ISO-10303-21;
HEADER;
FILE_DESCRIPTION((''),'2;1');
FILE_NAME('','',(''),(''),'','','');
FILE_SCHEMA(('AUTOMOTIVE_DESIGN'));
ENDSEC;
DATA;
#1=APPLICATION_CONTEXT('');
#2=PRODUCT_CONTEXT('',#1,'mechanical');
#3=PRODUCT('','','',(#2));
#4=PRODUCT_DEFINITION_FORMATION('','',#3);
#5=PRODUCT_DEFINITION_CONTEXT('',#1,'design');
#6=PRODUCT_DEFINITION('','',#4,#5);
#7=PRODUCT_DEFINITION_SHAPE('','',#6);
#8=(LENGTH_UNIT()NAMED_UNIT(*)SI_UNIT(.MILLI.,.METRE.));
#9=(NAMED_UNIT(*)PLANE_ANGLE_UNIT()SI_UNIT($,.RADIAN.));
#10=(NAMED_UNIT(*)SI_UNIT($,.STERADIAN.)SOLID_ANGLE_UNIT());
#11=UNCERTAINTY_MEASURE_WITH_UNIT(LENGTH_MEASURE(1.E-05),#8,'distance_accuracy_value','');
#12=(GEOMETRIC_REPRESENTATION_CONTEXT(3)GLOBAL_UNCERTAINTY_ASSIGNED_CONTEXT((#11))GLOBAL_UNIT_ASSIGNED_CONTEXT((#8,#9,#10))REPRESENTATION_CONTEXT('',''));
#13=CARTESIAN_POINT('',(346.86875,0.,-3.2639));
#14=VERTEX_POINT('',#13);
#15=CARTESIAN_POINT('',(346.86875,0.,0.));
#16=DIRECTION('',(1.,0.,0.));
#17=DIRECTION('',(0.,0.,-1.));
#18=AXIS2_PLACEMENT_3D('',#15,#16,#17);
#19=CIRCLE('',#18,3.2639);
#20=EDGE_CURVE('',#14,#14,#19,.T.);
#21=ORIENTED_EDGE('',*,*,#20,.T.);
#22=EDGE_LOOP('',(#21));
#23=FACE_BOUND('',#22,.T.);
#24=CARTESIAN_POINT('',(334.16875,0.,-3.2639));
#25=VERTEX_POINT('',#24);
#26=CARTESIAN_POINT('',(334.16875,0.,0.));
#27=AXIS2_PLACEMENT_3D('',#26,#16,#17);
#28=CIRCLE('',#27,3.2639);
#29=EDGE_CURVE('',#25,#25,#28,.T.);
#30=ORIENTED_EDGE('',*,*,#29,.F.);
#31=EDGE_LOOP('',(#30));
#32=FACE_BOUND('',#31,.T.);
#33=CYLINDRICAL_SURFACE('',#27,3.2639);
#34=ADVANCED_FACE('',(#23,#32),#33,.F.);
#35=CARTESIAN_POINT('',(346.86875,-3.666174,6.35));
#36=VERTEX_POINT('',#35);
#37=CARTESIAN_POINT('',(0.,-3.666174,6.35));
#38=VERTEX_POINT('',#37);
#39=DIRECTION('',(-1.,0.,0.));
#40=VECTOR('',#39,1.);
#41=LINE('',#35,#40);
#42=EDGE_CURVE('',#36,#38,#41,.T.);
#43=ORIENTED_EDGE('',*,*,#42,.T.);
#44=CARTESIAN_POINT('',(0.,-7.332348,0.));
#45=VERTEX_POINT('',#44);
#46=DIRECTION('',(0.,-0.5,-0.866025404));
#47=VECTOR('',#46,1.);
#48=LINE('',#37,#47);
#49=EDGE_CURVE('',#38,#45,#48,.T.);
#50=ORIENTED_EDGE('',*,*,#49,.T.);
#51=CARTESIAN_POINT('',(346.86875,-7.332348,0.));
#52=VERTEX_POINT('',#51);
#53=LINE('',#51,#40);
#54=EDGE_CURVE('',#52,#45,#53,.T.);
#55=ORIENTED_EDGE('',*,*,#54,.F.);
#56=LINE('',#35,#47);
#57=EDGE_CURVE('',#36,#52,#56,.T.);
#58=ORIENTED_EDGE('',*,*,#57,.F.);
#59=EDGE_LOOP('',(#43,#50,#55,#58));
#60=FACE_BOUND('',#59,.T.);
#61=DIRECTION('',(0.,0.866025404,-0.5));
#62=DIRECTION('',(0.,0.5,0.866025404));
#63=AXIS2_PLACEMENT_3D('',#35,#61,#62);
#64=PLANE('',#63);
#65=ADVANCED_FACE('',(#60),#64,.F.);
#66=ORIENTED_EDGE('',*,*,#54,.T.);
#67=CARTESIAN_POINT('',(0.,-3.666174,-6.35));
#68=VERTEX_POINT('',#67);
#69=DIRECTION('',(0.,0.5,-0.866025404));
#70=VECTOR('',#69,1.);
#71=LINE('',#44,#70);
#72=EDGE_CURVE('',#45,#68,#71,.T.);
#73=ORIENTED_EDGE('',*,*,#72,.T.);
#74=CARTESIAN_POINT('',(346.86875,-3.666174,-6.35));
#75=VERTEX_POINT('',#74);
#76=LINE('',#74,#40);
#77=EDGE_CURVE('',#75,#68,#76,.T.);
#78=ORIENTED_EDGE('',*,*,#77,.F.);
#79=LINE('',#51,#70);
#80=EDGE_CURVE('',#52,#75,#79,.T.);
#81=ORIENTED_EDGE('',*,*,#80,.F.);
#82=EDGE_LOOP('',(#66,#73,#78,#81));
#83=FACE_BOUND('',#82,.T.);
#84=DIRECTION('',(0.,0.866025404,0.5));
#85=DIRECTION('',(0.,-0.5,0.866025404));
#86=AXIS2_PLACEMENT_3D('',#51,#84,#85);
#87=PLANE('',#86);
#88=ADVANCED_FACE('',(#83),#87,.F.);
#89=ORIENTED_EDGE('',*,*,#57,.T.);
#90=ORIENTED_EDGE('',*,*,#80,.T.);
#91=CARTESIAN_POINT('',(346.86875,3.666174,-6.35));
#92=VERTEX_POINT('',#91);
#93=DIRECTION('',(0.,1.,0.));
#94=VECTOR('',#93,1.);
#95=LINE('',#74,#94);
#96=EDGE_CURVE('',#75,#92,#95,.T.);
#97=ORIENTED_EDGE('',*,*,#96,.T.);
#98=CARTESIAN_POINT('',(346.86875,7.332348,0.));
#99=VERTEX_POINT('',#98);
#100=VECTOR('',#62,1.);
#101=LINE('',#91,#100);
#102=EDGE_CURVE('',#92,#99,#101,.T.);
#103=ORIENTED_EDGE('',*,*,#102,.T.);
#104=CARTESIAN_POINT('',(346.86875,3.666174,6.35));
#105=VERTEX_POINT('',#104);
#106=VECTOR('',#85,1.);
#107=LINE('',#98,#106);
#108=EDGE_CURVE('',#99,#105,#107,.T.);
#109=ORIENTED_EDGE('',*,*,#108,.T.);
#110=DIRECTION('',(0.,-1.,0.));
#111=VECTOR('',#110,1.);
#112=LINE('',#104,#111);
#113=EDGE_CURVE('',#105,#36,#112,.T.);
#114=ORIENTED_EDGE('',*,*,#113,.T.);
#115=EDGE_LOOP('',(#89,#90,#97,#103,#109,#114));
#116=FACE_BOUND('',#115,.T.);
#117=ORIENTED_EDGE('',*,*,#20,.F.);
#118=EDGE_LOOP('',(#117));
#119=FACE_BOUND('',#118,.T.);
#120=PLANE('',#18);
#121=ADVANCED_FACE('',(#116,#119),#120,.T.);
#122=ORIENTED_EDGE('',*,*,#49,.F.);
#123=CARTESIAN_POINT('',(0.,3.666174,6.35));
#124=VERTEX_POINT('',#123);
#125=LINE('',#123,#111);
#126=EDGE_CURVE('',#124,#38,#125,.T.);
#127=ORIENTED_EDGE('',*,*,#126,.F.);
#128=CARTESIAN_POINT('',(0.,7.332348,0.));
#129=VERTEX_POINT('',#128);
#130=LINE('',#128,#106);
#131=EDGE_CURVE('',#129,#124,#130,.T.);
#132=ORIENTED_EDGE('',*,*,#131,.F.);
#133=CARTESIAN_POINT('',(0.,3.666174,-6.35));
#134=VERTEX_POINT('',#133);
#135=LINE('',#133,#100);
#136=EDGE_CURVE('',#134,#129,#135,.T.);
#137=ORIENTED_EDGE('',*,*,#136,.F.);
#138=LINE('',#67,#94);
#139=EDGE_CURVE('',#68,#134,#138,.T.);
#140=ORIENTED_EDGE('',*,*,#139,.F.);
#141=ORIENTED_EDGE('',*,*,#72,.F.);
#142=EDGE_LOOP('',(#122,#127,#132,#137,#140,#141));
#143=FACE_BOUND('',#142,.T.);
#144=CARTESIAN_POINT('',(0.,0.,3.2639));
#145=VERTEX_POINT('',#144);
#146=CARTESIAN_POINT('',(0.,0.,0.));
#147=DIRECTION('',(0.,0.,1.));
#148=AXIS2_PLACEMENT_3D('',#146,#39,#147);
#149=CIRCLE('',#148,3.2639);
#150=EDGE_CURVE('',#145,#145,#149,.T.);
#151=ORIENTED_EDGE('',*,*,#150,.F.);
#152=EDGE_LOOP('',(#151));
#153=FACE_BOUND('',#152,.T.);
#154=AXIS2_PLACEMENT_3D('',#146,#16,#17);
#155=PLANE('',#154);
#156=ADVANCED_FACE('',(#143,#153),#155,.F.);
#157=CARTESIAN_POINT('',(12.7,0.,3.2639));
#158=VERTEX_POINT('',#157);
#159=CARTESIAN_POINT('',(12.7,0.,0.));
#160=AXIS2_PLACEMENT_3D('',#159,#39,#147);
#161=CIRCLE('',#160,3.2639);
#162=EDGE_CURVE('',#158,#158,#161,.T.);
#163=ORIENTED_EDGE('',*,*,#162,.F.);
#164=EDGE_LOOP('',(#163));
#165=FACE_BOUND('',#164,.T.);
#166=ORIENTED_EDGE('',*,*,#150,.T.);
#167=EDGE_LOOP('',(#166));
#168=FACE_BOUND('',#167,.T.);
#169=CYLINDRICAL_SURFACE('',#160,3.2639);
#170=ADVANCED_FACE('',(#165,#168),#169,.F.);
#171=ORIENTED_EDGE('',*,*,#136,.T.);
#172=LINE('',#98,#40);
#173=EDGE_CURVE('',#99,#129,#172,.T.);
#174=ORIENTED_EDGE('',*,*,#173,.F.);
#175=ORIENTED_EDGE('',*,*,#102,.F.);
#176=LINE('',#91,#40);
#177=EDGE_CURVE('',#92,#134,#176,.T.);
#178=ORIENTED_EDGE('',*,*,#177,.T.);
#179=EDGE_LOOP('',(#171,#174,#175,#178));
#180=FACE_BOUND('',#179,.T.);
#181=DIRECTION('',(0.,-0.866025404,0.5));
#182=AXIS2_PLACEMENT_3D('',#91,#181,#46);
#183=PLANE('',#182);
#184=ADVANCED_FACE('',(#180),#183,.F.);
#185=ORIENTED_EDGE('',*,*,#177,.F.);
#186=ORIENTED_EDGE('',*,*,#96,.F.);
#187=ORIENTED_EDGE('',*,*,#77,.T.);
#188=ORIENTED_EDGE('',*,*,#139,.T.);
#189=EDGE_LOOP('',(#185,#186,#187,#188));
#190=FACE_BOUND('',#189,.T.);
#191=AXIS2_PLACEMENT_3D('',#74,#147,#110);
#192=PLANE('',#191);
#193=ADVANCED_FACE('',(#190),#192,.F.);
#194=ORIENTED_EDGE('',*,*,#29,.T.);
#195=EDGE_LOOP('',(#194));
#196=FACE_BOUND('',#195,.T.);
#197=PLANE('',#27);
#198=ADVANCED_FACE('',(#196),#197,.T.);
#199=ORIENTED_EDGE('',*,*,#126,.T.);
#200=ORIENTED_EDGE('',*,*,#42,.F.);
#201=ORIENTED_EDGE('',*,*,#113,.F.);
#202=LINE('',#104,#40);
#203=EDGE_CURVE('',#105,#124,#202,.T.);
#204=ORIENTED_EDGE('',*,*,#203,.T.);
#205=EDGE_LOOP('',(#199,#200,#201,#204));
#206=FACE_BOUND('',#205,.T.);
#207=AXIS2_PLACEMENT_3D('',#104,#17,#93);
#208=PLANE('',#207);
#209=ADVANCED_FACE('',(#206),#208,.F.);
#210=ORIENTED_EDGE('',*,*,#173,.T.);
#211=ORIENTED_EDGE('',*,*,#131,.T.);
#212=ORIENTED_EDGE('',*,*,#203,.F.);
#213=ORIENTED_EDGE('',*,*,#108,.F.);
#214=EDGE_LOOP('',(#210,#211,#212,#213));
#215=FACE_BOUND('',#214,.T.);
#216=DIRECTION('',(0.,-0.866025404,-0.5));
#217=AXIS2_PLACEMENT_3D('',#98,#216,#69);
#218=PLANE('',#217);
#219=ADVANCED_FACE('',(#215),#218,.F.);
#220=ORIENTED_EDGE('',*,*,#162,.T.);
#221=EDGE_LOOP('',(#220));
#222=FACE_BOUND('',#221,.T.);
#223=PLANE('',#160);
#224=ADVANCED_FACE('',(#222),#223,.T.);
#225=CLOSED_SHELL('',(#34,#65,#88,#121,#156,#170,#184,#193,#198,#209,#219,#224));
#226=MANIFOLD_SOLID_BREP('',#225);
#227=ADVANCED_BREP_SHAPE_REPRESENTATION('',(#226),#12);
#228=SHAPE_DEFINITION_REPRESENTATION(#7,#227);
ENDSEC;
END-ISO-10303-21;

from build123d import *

# Parameters (mm, degrees)
BOSS_EXTRUDE1_DEPTH = 346.86875
SKETCH2_R           = 3.2639
CUT_EXTRUDE1_DEPTH  = 12.7
SKETCH3_R           = 3.2639
CUT_EXTRUDE2_DEPTH  = 12.7


with BuildPart() as part:
    # Sketch1 → Boss-Extrude1 (new body)
    with BuildSketch(Plane(origin=(0, 0, 0), x_dir=(0, 0, -1), z_dir=(1, 0, 0))):
        Polygon((0, 7.332348419), (-6.35, 3.666174209), (-6.35, -3.666174209), (0, -7.332348419), (6.35, -3.666174209), (6.35, 3.666174209), align=None)
    extrude(amount=BOSS_EXTRUDE1_DEPTH)

    # Sketch2 → Cut-Extrude1 (cut)
    with BuildSketch(Plane(origin=(346.86875, 0, 0), x_dir=(0, 0, -1), z_dir=(1, 0, 0))):
        Circle(SKETCH2_R)
    extrude(amount=-CUT_EXTRUDE1_DEPTH, mode=Mode.SUBTRACT)

    # Sketch3 → Cut-Extrude2 (cut)
    with BuildSketch(Plane.ZY):
        Circle(SKETCH3_R)
    extrude(amount=-CUT_EXTRUDE2_DEPTH, mode=Mode.SUBTRACT)


solid = part.part
